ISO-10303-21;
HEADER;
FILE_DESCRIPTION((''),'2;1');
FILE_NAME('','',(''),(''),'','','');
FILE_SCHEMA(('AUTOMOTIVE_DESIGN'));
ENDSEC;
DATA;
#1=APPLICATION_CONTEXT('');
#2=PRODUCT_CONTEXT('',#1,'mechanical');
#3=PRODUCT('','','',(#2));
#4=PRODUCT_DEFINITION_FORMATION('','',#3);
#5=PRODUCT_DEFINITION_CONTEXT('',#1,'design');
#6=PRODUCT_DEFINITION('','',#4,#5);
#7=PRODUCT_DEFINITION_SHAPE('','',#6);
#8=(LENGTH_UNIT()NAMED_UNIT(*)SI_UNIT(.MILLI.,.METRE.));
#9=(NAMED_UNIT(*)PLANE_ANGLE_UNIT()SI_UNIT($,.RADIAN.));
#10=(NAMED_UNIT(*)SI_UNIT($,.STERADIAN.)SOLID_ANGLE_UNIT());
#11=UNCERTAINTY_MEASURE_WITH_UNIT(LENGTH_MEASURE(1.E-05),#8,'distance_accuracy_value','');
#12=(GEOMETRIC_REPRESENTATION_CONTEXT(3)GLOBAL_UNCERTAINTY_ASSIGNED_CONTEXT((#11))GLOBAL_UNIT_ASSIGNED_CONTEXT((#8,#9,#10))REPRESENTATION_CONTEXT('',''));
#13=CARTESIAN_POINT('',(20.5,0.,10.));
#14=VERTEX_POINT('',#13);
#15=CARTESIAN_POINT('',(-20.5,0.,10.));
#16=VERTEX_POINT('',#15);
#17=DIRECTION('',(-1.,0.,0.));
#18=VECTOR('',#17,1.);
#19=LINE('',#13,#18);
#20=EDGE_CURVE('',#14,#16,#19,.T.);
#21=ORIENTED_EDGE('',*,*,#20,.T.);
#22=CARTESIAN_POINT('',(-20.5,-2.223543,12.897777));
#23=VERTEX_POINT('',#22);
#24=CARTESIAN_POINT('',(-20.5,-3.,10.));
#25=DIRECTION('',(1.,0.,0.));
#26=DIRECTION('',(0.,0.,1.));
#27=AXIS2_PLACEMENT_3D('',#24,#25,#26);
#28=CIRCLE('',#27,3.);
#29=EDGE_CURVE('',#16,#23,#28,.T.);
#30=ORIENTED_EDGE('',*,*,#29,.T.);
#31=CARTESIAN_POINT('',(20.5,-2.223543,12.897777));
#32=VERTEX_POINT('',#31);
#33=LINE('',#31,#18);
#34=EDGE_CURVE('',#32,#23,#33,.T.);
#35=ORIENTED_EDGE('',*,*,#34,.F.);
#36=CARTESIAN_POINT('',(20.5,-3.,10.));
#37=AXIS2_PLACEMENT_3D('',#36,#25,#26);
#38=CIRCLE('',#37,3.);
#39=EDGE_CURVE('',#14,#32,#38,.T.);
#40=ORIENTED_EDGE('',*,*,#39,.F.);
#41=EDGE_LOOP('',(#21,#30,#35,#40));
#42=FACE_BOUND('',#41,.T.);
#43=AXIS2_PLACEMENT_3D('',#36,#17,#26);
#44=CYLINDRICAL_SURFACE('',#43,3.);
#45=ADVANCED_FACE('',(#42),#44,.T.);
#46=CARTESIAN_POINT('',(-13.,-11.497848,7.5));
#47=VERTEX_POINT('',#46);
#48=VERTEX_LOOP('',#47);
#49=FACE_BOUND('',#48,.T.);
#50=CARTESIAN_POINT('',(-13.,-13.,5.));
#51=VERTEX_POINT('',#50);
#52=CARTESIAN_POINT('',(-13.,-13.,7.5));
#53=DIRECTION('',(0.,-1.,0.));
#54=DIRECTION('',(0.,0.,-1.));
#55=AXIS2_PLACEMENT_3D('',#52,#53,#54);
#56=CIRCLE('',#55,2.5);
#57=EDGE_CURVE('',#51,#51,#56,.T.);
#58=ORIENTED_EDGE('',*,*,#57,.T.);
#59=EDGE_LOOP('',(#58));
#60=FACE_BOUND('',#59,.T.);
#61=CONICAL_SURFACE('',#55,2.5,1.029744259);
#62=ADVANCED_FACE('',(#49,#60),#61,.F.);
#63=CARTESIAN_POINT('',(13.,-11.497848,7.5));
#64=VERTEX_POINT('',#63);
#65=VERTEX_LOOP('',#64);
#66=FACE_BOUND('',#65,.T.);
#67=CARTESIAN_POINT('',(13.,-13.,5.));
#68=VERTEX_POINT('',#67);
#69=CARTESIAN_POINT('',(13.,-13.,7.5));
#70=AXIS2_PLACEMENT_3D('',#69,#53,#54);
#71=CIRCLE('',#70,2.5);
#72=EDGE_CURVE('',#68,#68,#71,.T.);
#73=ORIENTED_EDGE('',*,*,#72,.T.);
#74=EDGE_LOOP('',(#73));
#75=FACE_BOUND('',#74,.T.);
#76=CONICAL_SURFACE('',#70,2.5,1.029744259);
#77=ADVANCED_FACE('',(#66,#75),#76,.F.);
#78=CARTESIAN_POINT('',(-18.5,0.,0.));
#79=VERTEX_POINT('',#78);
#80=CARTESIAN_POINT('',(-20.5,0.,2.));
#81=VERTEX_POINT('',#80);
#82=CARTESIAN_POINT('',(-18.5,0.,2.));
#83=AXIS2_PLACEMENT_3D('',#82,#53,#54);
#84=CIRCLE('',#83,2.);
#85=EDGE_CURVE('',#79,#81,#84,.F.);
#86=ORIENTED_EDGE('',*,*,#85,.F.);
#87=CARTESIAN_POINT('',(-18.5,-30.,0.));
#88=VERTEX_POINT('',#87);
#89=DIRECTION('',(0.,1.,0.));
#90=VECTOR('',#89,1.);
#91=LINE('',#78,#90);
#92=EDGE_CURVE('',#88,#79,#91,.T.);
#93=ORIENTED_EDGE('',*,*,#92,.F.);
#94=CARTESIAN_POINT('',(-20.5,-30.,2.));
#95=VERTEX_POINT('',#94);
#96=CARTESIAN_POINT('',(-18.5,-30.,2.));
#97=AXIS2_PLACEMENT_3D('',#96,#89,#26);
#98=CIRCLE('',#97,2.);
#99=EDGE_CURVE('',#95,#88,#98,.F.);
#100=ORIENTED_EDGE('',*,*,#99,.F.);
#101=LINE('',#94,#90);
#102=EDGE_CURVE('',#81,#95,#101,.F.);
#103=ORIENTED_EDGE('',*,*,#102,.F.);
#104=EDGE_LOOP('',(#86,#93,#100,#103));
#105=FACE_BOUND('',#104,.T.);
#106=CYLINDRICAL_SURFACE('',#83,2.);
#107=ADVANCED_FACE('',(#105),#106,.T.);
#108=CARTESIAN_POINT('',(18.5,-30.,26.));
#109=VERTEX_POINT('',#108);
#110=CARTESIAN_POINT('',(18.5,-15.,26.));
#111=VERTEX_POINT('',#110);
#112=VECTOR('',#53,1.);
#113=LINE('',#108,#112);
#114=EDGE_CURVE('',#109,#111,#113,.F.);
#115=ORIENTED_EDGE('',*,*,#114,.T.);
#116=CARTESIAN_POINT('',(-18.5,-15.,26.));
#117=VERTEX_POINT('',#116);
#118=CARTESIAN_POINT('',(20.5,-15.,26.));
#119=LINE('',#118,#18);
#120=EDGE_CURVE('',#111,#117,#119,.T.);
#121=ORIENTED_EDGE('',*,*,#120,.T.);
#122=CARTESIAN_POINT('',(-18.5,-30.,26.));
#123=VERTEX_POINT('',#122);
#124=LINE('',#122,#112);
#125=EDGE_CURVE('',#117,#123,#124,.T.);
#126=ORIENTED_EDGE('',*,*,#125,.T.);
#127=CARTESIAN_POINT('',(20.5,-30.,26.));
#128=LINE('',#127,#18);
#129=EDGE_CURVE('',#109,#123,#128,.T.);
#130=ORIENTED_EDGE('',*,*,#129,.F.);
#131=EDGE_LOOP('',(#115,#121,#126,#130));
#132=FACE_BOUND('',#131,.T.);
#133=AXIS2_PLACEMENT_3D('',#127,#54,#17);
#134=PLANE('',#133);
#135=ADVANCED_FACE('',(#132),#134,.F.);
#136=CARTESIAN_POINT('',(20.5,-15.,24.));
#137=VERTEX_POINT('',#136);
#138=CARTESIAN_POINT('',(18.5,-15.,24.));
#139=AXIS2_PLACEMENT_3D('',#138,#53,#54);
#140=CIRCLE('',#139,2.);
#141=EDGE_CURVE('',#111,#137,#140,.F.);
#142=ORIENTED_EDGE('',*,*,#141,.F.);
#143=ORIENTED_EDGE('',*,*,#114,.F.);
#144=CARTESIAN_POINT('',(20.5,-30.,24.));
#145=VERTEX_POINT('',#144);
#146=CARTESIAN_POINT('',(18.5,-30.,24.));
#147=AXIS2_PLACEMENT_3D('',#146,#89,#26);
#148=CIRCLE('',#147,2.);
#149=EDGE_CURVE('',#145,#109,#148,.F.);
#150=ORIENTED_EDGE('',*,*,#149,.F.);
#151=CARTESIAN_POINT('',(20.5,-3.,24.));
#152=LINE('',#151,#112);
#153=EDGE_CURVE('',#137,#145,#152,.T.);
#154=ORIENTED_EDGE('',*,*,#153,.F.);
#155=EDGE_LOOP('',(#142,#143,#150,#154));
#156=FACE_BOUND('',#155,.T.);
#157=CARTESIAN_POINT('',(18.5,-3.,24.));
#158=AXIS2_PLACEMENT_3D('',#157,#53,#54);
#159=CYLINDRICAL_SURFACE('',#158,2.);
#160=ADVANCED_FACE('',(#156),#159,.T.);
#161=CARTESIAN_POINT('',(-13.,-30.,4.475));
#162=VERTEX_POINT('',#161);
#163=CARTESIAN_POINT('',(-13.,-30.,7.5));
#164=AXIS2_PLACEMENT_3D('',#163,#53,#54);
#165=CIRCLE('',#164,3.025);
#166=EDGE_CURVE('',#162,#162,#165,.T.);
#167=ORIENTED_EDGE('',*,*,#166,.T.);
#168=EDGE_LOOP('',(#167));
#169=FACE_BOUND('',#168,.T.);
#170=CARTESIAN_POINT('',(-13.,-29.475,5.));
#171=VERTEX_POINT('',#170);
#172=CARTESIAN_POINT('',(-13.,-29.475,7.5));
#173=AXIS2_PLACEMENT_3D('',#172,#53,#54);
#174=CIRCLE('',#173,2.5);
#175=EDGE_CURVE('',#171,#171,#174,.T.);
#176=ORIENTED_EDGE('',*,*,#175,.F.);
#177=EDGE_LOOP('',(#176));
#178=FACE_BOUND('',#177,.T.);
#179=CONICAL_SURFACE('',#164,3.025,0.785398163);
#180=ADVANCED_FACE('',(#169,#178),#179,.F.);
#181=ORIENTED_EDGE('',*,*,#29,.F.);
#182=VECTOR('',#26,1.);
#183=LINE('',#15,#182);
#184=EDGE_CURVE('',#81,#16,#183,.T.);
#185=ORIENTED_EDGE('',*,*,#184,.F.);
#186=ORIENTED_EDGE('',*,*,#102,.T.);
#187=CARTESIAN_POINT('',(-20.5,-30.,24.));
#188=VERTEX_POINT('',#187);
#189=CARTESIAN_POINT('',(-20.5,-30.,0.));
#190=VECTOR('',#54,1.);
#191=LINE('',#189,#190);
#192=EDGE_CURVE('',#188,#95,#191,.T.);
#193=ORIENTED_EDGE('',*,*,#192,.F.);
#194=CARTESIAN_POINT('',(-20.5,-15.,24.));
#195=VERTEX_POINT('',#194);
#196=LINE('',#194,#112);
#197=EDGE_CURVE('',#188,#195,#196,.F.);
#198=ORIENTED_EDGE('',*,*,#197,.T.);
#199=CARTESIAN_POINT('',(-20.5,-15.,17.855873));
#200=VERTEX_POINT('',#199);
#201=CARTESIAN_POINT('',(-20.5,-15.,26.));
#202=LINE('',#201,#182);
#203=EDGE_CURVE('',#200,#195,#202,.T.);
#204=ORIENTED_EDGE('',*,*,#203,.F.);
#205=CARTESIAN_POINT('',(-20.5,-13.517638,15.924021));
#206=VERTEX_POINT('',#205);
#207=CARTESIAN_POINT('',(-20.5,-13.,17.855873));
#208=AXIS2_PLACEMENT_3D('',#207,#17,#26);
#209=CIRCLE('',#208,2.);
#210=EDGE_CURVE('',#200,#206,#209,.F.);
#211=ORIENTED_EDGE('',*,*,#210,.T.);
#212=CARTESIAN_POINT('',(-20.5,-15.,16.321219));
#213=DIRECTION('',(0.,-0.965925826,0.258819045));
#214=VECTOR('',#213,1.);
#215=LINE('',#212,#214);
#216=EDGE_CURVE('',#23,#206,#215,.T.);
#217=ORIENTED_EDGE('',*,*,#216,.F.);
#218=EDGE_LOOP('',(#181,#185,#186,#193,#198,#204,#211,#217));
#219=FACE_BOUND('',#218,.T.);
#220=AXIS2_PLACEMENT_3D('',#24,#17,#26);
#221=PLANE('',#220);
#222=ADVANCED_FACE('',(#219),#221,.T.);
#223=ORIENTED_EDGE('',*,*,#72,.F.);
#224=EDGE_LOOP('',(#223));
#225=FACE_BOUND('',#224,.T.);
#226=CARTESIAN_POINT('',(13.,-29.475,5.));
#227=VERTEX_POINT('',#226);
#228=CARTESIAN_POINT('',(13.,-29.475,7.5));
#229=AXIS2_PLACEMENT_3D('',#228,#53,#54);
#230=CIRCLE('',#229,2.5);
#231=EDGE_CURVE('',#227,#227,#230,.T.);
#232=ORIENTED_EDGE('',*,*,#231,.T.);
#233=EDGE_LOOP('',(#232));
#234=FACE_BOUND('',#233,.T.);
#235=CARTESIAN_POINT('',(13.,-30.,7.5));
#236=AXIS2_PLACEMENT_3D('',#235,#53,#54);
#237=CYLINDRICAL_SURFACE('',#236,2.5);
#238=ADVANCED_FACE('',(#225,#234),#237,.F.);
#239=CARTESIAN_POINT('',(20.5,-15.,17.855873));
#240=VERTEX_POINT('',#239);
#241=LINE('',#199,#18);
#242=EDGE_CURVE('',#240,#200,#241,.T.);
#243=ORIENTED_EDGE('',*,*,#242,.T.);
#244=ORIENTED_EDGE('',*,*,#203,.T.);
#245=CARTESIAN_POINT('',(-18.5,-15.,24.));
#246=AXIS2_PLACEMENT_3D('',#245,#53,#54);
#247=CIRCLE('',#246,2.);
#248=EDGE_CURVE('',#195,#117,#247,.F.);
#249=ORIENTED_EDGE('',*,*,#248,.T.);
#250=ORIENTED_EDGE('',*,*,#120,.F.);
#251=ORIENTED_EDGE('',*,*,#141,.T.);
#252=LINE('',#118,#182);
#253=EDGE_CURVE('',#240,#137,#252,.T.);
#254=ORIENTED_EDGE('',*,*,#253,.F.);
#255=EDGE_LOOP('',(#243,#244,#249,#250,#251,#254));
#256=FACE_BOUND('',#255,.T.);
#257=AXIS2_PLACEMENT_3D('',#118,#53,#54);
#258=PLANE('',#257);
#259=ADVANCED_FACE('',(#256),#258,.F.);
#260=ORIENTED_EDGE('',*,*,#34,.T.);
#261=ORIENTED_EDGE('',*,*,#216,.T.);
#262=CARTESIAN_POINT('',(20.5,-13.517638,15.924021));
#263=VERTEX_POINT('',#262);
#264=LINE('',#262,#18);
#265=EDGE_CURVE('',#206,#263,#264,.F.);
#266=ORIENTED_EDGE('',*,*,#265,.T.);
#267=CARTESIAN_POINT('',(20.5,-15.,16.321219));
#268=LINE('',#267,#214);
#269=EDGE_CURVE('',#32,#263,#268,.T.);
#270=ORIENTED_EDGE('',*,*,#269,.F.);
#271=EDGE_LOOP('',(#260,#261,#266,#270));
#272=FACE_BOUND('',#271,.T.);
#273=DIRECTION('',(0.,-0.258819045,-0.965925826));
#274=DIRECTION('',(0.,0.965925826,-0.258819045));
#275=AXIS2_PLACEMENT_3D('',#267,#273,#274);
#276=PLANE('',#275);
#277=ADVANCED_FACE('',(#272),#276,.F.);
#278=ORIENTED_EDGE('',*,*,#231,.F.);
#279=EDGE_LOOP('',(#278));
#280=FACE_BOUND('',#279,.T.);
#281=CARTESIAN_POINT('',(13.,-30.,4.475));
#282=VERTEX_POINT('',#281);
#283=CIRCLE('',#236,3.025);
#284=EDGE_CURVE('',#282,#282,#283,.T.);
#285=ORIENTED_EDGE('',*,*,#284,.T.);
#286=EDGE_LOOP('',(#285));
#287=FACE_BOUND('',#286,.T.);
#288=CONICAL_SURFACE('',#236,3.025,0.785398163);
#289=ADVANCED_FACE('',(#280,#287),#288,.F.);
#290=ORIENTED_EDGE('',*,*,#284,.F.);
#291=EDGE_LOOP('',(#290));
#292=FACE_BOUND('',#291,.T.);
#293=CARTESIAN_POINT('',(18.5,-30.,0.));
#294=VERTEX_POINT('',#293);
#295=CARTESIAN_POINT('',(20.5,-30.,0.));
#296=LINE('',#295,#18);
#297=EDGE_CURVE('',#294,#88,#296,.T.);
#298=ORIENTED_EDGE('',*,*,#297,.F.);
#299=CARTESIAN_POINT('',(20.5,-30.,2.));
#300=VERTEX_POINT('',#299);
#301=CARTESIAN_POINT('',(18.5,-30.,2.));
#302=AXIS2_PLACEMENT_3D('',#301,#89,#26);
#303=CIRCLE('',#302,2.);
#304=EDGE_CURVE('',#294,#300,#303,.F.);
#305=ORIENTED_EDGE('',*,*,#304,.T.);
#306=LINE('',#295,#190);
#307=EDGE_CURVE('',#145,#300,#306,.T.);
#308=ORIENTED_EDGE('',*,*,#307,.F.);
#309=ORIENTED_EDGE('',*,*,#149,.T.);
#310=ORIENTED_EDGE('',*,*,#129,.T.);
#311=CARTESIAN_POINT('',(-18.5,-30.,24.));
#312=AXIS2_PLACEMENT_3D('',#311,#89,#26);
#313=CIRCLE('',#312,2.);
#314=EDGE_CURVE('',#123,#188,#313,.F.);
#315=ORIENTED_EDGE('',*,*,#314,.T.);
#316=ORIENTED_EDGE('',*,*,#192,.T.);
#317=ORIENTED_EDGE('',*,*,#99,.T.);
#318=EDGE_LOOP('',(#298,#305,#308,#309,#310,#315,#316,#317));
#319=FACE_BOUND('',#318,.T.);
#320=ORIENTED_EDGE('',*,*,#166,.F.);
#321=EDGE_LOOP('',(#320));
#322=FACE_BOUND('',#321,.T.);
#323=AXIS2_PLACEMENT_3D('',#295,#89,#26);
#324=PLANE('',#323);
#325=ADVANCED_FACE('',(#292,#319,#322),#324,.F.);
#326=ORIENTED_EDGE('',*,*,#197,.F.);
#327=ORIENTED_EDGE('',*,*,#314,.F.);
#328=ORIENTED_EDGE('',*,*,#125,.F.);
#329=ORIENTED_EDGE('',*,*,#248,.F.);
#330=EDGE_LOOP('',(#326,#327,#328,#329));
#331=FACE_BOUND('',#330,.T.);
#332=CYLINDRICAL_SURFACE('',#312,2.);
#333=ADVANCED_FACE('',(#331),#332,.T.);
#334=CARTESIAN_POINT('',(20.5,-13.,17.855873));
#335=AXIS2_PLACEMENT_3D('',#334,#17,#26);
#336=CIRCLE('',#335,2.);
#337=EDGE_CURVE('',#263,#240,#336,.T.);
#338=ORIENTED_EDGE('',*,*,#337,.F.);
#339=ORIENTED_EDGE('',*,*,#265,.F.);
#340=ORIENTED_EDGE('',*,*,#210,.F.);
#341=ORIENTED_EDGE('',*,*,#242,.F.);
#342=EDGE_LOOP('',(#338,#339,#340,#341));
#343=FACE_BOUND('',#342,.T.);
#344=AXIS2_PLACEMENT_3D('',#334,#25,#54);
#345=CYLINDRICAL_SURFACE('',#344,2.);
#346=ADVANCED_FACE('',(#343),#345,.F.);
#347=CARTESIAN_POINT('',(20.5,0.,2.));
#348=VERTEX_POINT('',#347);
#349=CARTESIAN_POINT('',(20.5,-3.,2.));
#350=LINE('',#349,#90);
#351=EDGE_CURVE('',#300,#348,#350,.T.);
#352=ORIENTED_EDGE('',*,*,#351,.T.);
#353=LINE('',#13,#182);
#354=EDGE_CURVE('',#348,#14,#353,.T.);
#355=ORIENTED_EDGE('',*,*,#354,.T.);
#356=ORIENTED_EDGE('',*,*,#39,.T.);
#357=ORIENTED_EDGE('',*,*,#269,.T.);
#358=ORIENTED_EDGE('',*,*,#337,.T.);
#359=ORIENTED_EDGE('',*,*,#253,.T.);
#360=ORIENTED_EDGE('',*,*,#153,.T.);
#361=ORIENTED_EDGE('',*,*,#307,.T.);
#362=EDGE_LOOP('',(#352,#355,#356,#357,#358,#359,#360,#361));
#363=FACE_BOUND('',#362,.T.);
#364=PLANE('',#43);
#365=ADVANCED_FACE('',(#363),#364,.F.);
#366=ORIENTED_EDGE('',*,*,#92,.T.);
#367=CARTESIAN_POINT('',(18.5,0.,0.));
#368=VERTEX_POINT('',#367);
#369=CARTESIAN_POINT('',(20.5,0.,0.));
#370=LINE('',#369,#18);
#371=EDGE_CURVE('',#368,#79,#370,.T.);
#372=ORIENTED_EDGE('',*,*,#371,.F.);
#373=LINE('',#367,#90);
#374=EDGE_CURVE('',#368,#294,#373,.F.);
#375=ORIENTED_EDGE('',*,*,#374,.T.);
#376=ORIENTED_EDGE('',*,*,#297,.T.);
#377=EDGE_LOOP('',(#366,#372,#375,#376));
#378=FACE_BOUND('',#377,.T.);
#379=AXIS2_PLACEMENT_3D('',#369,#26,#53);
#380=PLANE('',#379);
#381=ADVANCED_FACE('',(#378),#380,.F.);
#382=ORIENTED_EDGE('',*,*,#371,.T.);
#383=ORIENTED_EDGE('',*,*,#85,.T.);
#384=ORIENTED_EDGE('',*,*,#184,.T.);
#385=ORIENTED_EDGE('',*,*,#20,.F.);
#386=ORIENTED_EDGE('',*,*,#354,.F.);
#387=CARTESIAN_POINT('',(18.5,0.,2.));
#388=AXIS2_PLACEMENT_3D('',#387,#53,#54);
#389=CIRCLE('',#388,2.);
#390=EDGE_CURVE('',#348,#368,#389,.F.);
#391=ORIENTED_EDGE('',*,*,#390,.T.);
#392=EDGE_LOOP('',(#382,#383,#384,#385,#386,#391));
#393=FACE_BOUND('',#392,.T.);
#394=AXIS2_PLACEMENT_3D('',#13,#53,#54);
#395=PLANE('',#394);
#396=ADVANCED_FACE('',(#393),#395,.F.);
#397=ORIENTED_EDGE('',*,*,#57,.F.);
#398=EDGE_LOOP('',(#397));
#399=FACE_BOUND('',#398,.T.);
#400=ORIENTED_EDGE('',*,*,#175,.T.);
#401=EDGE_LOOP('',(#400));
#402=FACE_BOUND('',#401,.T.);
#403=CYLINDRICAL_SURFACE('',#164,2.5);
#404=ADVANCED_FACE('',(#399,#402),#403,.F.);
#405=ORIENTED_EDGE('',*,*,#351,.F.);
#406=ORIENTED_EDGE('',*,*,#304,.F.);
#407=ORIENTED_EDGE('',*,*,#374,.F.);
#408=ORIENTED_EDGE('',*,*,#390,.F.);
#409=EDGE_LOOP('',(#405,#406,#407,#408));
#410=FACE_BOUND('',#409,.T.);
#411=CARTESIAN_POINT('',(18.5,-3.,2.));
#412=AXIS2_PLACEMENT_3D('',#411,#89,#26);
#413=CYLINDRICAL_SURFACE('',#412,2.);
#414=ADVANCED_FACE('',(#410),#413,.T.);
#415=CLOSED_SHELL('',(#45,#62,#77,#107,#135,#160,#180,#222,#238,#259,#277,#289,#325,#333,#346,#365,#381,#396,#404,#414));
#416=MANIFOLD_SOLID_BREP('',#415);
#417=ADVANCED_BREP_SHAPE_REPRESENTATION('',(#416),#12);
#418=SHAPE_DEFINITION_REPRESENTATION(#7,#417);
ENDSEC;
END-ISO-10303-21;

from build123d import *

# Parameters (mm, degrees)
BOSS_EXTRUDE1_DEPTH         = 20.5
FILLET1_R                   = 2
M6_TAPPED_HOLE1_D           = 5
M6_TAPPED_HOLE1_DEPTH       = 17
M6_TAPPED_HOLE1_CSINK_D     = 6.05
M6_TAPPED_HOLE1_CSINK_ANGLE = 90
M6_TAPPED_HOLE1_TIP         = 1.502151548
FILLET2_R                   = 2


with BuildPart() as part:
    # Sketch1 → Boss-Extrude1 (new, symmetric)
    with BuildSketch(Plane(origin=(0, 0, 0), x_dir=(0, 0, -1), z_dir=(1, 0, 0))):
        with BuildLine():
            Line((-10, 0), (0, 0))
            Line((0, 0), (0, -30))
            Line((0, -30), (-26, -30))
            Line((-26, -30), (-26, -15))
            Line((-26, -15), (-16.32121885, -15))
            Line((-16.32121885, -15), (-12.897777479, -2.223542865))
            ThreePointArc((-12.897777479, -2.223542865), (-11.826284287, -0.619939979), (-10, 0))
        make_face()
    extrude(amount=BOSS_EXTRUDE1_DEPTH, both=True)

    # Fillet1
    fillet1_edges = [part.edges().sort_by_distance(p)[0] for p in [
        (20.5, -22.5, 26),
        (20.5, -15, 0),
        (-20.5, -15, 0),
        (-20.5, -22.5, 26),
    ]]
    fillet(fillet1_edges, radius=FILLET1_R)

    # M6 Tapped Hole1
    with Locations(Plane(origin=(0, -30, 0), x_dir=(-1, 0, 0), z_dir=(0, -1, 0))):
        with Locations((-13, -7.5), (13, -7.5)):
            CounterSinkHole(M6_TAPPED_HOLE1_D / 2, M6_TAPPED_HOLE1_CSINK_D / 2, depth=M6_TAPPED_HOLE1_DEPTH, counter_sink_angle=M6_TAPPED_HOLE1_CSINK_ANGLE)
            with Locations((0, 0, -(M6_TAPPED_HOLE1_DEPTH + M6_TAPPED_HOLE1_TIP / 2))):  # 118° drill point
                Cone(0, M6_TAPPED_HOLE1_D / 2, M6_TAPPED_HOLE1_TIP, mode=Mode.SUBTRACT)

    # Fillet2
    fillet2_edges = [part.edges().sort_by_distance(p)[0] for p in [
        (0, -15, 16.32121885),
    ]]
    fillet(fillet2_edges, radius=FILLET2_R)


solid = part.part
